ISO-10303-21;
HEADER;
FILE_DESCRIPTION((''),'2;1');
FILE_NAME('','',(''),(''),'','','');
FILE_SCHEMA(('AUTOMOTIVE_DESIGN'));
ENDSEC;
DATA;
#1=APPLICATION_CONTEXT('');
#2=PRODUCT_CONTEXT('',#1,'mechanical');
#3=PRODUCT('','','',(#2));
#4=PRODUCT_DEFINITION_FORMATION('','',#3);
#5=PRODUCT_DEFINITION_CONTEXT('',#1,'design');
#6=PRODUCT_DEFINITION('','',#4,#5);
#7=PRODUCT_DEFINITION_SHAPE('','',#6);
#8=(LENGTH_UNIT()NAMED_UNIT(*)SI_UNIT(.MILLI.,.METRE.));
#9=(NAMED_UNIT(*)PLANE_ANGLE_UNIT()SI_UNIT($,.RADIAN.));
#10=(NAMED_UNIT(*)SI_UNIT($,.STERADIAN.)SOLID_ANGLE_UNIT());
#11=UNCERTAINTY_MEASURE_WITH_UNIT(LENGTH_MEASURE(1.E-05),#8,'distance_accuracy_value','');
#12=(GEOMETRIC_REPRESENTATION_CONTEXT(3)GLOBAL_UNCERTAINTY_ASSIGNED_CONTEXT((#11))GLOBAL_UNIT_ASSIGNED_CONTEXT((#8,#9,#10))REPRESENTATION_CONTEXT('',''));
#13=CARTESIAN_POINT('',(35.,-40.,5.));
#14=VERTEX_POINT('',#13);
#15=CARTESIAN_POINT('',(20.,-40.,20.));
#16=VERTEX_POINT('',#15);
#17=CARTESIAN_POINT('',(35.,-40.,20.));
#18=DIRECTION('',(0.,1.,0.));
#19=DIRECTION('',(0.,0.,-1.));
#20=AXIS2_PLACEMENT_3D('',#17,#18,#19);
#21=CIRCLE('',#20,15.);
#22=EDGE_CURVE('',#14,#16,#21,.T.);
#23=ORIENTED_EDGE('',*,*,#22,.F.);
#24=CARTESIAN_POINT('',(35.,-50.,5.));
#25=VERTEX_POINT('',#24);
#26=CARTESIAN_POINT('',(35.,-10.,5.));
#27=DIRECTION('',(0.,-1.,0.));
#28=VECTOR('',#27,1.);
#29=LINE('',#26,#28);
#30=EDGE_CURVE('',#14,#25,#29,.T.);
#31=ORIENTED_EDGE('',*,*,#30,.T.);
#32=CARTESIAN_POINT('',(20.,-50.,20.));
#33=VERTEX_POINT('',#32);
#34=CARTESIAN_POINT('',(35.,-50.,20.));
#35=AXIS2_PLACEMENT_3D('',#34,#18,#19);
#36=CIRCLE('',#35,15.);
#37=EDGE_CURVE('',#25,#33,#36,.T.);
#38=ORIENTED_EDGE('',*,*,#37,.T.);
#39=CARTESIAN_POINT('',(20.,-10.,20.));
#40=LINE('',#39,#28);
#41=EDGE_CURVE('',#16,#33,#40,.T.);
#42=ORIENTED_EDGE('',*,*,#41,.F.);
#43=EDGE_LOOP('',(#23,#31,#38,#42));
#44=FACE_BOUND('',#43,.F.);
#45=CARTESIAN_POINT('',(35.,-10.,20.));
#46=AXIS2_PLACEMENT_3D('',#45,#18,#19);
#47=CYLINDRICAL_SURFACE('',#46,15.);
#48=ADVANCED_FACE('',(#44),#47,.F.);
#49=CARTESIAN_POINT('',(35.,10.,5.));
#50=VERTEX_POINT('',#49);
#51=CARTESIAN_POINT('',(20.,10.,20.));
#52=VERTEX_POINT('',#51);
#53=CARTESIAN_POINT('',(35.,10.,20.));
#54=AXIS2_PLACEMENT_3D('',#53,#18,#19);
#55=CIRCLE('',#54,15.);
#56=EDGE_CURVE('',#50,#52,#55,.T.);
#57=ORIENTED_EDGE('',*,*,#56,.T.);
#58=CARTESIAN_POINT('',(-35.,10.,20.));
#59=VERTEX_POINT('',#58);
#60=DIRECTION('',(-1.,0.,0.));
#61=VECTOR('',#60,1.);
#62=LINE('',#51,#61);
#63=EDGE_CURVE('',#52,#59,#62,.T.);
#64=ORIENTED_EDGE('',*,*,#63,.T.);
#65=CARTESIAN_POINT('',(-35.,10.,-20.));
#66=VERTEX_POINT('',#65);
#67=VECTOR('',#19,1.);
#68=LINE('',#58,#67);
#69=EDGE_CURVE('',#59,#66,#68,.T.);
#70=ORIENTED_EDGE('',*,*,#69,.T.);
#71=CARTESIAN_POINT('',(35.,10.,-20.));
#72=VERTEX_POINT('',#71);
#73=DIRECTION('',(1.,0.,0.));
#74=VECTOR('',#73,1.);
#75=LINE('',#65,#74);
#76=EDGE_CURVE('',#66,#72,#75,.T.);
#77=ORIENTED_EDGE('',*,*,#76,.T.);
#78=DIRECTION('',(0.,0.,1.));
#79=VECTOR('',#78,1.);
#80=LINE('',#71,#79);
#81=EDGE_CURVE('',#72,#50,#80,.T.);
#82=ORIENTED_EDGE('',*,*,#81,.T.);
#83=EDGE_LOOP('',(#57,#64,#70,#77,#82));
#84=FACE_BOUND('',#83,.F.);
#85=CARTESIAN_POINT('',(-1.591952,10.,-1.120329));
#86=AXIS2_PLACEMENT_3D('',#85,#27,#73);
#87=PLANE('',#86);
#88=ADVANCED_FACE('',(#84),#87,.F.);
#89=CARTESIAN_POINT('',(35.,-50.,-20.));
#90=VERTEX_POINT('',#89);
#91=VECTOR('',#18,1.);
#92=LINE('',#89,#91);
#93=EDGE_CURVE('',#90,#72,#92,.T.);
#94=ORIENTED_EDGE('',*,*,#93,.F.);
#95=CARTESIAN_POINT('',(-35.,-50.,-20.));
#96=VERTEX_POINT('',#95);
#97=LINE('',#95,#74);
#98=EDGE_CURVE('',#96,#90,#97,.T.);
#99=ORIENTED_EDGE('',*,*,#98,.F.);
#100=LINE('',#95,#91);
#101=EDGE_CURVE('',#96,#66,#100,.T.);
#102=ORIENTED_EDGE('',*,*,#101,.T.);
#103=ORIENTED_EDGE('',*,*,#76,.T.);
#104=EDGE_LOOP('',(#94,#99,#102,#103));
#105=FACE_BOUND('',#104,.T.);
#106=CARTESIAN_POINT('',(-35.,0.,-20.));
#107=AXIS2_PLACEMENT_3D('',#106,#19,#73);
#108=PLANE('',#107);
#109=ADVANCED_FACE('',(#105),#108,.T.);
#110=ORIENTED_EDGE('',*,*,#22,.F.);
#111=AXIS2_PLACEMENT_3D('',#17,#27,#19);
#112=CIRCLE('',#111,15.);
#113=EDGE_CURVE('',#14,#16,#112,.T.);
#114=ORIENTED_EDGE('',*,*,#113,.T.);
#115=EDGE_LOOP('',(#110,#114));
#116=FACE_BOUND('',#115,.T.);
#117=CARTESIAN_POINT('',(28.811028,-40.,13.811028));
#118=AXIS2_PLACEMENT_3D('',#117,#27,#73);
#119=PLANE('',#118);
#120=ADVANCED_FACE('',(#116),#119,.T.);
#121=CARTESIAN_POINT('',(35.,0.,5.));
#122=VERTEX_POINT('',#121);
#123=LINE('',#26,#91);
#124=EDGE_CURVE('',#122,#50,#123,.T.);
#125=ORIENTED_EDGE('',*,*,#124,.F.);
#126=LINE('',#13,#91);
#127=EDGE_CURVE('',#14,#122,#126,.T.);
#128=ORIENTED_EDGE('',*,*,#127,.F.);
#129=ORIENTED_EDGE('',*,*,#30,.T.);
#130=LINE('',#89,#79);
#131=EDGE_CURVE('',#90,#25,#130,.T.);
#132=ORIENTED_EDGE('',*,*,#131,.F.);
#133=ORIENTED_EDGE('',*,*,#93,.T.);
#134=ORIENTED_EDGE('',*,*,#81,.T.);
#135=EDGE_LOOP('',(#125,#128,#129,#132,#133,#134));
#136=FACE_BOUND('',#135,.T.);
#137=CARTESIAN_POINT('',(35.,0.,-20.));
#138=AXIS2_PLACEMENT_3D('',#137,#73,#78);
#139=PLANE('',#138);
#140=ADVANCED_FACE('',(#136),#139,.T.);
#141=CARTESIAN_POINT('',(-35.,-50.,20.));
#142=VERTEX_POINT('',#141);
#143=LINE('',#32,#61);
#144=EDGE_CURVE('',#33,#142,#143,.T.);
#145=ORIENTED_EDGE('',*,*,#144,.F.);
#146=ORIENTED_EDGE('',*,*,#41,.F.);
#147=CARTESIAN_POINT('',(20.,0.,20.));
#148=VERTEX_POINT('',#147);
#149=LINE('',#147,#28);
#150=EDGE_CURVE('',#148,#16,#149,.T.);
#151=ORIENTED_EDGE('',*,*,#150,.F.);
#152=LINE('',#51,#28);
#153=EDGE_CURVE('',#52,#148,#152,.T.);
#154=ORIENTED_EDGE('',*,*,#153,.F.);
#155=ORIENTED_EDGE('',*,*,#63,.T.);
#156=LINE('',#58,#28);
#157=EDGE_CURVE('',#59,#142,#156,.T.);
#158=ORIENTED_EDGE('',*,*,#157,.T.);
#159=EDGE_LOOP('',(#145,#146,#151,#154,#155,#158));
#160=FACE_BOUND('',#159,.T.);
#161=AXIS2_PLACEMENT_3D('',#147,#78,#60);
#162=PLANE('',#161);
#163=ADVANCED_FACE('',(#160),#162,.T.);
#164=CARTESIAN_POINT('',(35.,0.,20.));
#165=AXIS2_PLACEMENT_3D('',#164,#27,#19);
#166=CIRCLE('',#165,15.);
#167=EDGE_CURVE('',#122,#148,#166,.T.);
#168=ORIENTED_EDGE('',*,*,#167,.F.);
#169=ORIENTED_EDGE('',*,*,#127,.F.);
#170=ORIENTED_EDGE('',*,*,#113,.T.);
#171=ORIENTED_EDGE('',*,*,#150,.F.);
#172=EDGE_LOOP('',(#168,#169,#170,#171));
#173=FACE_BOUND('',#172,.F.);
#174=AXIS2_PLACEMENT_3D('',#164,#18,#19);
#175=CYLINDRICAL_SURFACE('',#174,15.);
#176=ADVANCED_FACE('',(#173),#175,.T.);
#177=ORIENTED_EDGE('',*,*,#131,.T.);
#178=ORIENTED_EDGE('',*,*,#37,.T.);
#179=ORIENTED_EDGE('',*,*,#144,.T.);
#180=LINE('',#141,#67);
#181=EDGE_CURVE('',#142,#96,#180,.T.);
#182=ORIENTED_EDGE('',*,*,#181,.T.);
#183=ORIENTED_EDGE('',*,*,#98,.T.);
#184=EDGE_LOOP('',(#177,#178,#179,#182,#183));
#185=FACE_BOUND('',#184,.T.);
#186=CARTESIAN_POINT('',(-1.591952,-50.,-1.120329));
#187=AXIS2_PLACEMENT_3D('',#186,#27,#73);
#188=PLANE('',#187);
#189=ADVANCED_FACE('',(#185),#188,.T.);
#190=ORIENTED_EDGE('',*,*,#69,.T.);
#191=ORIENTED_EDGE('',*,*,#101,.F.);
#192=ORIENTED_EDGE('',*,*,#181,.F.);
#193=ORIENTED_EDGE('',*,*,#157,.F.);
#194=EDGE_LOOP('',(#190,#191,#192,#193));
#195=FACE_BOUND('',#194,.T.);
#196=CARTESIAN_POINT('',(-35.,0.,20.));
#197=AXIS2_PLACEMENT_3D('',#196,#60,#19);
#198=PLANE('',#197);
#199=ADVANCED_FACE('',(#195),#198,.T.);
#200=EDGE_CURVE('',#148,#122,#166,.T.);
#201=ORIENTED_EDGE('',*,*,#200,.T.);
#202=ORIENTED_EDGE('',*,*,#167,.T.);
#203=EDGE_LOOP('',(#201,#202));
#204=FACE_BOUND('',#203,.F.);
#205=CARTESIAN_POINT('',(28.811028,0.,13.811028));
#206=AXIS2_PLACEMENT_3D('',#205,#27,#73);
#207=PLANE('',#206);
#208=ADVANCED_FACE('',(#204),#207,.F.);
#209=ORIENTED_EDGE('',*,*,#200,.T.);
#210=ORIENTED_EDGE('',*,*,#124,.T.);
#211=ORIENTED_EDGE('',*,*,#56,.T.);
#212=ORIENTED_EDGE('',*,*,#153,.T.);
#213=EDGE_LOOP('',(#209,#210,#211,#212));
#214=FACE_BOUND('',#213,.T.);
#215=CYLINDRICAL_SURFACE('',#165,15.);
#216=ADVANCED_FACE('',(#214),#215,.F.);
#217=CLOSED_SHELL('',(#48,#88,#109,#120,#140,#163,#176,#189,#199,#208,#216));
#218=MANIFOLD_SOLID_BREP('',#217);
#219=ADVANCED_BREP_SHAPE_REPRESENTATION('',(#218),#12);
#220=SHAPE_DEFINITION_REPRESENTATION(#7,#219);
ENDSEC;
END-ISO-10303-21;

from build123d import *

# Parameters (mm, degrees)
F1_DEPTH = 10
F2_DEPTH = 40


with BuildPart() as f1:
    # F0 (on Front) → F1 (new body, symmetric)
    with BuildSketch(Plane.XZ):
        with BuildLine():
            ThreePointArc((35, 5), (24.3933982822, 9.3933982822), (20, 20))
            Line((20, 20), (-35, 20))
            Line((-35, 20), (-35, -20))
            Line((-35, -20), (35, -20))
            Line((35, -20), (35, 5))
        make_face()
    extrude(amount=F1_DEPTH, both=True)

    # F0 (on Front) + F1_face (on face) → F2 (join)
    with BuildSketch(Plane.XZ):
        with BuildLine():
            Line((35, 5), (35, 20))
            Line((35, 20), (20, 20))
            ThreePointArc((20, 20), (24.3933982822, 9.3933982822), (35, 5))
        make_face()
        with BuildLine():
            Line((20, 20), (35, 20))
            Line((35, 20), (35, 5))
            ThreePointArc((35, 5), (45.6066017178, 9.3933982822), (50, 20))
            ThreePointArc((50, 20), (35, 35), (20, 20))
        make_face()
        with BuildLine():
            ThreePointArc((35, 5), (24.3933982822, 9.3933982822), (20, 20))
            Line((20, 20), (-35, 20))
            Line((-35, 20), (-35, -20))
            Line((-35, -20), (35, -20))
            Line((35, -20), (35, 5))
        make_face()
    with BuildSketch(Plane(origin=(-1.9288829615, -10, -0.9184253163), x_dir=(1, 0, 0), z_dir=(0, -1, 0))):
        with BuildLine():
            ThreePointArc((36.9288829615, 5.9184253163), (26.3222812437, 10.3118235985), (21.9288829615, 20.9184253163))
            Line((21.9288829615, 20.9184253163), (-33.0711170385, 20.9184253163))
            Line((-33.0711170385, 20.9184253163), (-33.0711170385, -19.0815746837))
            Line((-33.0711170385, -19.0815746837), (36.9288829615, -19.0815746837))
            Line((36.9288829615, -19.0815746837), (36.9288829615, 5.9184253163))
        make_face()
    extrude(amount=F2_DEPTH)


solid = f1.part
